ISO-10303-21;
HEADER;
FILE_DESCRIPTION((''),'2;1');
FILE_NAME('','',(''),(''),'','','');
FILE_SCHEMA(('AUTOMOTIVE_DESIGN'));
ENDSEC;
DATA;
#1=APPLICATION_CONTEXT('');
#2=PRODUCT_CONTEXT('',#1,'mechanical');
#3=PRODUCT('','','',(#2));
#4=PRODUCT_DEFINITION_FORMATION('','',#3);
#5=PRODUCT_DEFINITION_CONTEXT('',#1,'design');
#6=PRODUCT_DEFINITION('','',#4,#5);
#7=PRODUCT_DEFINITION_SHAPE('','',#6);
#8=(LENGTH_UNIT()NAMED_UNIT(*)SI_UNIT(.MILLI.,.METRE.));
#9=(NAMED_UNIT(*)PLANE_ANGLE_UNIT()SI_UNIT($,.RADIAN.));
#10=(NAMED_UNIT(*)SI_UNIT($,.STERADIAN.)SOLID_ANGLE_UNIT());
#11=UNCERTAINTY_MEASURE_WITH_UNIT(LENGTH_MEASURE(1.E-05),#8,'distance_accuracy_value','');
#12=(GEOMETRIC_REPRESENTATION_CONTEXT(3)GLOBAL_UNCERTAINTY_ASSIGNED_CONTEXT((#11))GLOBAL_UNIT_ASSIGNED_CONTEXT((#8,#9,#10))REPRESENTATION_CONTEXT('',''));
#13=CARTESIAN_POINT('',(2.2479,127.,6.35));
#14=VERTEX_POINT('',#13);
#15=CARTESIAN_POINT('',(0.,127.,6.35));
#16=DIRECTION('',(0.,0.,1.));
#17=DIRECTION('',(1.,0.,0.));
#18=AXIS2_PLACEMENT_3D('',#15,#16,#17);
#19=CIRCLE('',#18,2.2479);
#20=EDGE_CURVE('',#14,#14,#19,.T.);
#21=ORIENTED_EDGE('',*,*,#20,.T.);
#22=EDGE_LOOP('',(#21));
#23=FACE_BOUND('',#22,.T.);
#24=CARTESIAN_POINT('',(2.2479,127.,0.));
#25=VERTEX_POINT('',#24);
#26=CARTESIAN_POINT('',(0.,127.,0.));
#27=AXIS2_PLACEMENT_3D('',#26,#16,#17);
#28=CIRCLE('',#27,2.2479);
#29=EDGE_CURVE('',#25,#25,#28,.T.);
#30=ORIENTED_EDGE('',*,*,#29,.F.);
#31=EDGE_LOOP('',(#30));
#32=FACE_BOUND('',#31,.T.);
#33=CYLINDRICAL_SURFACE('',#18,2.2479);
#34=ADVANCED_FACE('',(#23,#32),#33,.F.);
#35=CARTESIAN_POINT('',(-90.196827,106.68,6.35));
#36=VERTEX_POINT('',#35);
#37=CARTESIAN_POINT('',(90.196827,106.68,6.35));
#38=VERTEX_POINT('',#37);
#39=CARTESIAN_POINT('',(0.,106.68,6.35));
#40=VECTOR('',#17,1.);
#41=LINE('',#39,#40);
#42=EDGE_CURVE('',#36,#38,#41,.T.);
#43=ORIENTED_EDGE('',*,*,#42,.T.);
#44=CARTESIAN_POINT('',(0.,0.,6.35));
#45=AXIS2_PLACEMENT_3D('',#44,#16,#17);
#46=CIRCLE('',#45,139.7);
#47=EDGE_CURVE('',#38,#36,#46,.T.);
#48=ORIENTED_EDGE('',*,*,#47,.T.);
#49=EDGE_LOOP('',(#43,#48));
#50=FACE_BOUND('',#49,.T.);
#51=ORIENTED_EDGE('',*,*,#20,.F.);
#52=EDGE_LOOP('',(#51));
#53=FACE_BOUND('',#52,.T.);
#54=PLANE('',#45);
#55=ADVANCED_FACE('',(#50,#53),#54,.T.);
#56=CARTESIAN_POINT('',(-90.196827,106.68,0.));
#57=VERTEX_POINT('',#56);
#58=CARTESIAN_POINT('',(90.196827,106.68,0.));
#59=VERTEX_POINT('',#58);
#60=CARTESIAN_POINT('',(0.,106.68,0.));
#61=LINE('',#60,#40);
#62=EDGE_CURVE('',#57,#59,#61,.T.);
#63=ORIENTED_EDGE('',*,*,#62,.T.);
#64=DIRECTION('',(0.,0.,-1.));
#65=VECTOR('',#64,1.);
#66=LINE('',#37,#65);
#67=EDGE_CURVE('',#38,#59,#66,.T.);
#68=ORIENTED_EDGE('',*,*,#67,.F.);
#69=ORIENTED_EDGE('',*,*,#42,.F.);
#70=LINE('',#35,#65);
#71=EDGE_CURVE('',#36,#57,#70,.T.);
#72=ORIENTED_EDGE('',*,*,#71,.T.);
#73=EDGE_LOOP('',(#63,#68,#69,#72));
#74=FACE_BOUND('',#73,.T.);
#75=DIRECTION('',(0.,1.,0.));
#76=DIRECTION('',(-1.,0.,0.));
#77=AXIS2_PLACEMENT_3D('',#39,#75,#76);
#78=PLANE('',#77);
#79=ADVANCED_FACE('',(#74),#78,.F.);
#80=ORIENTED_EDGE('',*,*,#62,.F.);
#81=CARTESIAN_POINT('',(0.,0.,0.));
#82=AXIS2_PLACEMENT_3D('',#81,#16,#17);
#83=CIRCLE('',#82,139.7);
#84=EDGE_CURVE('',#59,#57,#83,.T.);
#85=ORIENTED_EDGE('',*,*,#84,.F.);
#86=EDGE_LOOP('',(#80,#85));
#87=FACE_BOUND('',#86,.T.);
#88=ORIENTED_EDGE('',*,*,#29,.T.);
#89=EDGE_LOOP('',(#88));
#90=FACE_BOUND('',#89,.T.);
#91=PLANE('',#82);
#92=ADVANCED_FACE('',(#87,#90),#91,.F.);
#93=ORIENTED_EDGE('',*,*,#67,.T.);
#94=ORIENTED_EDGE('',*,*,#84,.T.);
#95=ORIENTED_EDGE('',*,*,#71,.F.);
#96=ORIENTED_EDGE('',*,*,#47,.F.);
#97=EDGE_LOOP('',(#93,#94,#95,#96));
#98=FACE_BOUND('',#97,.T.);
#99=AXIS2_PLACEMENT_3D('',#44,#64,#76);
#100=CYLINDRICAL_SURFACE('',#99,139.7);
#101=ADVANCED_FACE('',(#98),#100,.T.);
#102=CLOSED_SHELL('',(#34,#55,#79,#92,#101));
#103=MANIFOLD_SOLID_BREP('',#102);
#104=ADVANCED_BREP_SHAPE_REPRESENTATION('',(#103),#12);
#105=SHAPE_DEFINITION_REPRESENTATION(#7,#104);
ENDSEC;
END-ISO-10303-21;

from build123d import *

# Parameters (mm, degrees)
BOSS_EXTRUDE1_DEPTH   = 6.35
F_8_CLEARANCE_HOLE1_D = 4.4958


with BuildPart() as part:
    # Sketch1 → Boss-Extrude1 (new body)
    with BuildSketch(Plane.XY):
        with BuildLine():
            ThreePointArc((90.196826995, 106.68), (0, 139.7), (-90.196826995, 106.68))
            Line((-90.196826995, 106.68), (90.196826995, 106.68))
        make_face()
    extrude(amount=BOSS_EXTRUDE1_DEPTH)

    # #8 Clearance Hole1 (through all)
    with Locations(Plane.XY.offset(6.35)):
        with Locations((0, 127)):
            Hole(F_8_CLEARANCE_HOLE1_D / 2)


solid = part.part
